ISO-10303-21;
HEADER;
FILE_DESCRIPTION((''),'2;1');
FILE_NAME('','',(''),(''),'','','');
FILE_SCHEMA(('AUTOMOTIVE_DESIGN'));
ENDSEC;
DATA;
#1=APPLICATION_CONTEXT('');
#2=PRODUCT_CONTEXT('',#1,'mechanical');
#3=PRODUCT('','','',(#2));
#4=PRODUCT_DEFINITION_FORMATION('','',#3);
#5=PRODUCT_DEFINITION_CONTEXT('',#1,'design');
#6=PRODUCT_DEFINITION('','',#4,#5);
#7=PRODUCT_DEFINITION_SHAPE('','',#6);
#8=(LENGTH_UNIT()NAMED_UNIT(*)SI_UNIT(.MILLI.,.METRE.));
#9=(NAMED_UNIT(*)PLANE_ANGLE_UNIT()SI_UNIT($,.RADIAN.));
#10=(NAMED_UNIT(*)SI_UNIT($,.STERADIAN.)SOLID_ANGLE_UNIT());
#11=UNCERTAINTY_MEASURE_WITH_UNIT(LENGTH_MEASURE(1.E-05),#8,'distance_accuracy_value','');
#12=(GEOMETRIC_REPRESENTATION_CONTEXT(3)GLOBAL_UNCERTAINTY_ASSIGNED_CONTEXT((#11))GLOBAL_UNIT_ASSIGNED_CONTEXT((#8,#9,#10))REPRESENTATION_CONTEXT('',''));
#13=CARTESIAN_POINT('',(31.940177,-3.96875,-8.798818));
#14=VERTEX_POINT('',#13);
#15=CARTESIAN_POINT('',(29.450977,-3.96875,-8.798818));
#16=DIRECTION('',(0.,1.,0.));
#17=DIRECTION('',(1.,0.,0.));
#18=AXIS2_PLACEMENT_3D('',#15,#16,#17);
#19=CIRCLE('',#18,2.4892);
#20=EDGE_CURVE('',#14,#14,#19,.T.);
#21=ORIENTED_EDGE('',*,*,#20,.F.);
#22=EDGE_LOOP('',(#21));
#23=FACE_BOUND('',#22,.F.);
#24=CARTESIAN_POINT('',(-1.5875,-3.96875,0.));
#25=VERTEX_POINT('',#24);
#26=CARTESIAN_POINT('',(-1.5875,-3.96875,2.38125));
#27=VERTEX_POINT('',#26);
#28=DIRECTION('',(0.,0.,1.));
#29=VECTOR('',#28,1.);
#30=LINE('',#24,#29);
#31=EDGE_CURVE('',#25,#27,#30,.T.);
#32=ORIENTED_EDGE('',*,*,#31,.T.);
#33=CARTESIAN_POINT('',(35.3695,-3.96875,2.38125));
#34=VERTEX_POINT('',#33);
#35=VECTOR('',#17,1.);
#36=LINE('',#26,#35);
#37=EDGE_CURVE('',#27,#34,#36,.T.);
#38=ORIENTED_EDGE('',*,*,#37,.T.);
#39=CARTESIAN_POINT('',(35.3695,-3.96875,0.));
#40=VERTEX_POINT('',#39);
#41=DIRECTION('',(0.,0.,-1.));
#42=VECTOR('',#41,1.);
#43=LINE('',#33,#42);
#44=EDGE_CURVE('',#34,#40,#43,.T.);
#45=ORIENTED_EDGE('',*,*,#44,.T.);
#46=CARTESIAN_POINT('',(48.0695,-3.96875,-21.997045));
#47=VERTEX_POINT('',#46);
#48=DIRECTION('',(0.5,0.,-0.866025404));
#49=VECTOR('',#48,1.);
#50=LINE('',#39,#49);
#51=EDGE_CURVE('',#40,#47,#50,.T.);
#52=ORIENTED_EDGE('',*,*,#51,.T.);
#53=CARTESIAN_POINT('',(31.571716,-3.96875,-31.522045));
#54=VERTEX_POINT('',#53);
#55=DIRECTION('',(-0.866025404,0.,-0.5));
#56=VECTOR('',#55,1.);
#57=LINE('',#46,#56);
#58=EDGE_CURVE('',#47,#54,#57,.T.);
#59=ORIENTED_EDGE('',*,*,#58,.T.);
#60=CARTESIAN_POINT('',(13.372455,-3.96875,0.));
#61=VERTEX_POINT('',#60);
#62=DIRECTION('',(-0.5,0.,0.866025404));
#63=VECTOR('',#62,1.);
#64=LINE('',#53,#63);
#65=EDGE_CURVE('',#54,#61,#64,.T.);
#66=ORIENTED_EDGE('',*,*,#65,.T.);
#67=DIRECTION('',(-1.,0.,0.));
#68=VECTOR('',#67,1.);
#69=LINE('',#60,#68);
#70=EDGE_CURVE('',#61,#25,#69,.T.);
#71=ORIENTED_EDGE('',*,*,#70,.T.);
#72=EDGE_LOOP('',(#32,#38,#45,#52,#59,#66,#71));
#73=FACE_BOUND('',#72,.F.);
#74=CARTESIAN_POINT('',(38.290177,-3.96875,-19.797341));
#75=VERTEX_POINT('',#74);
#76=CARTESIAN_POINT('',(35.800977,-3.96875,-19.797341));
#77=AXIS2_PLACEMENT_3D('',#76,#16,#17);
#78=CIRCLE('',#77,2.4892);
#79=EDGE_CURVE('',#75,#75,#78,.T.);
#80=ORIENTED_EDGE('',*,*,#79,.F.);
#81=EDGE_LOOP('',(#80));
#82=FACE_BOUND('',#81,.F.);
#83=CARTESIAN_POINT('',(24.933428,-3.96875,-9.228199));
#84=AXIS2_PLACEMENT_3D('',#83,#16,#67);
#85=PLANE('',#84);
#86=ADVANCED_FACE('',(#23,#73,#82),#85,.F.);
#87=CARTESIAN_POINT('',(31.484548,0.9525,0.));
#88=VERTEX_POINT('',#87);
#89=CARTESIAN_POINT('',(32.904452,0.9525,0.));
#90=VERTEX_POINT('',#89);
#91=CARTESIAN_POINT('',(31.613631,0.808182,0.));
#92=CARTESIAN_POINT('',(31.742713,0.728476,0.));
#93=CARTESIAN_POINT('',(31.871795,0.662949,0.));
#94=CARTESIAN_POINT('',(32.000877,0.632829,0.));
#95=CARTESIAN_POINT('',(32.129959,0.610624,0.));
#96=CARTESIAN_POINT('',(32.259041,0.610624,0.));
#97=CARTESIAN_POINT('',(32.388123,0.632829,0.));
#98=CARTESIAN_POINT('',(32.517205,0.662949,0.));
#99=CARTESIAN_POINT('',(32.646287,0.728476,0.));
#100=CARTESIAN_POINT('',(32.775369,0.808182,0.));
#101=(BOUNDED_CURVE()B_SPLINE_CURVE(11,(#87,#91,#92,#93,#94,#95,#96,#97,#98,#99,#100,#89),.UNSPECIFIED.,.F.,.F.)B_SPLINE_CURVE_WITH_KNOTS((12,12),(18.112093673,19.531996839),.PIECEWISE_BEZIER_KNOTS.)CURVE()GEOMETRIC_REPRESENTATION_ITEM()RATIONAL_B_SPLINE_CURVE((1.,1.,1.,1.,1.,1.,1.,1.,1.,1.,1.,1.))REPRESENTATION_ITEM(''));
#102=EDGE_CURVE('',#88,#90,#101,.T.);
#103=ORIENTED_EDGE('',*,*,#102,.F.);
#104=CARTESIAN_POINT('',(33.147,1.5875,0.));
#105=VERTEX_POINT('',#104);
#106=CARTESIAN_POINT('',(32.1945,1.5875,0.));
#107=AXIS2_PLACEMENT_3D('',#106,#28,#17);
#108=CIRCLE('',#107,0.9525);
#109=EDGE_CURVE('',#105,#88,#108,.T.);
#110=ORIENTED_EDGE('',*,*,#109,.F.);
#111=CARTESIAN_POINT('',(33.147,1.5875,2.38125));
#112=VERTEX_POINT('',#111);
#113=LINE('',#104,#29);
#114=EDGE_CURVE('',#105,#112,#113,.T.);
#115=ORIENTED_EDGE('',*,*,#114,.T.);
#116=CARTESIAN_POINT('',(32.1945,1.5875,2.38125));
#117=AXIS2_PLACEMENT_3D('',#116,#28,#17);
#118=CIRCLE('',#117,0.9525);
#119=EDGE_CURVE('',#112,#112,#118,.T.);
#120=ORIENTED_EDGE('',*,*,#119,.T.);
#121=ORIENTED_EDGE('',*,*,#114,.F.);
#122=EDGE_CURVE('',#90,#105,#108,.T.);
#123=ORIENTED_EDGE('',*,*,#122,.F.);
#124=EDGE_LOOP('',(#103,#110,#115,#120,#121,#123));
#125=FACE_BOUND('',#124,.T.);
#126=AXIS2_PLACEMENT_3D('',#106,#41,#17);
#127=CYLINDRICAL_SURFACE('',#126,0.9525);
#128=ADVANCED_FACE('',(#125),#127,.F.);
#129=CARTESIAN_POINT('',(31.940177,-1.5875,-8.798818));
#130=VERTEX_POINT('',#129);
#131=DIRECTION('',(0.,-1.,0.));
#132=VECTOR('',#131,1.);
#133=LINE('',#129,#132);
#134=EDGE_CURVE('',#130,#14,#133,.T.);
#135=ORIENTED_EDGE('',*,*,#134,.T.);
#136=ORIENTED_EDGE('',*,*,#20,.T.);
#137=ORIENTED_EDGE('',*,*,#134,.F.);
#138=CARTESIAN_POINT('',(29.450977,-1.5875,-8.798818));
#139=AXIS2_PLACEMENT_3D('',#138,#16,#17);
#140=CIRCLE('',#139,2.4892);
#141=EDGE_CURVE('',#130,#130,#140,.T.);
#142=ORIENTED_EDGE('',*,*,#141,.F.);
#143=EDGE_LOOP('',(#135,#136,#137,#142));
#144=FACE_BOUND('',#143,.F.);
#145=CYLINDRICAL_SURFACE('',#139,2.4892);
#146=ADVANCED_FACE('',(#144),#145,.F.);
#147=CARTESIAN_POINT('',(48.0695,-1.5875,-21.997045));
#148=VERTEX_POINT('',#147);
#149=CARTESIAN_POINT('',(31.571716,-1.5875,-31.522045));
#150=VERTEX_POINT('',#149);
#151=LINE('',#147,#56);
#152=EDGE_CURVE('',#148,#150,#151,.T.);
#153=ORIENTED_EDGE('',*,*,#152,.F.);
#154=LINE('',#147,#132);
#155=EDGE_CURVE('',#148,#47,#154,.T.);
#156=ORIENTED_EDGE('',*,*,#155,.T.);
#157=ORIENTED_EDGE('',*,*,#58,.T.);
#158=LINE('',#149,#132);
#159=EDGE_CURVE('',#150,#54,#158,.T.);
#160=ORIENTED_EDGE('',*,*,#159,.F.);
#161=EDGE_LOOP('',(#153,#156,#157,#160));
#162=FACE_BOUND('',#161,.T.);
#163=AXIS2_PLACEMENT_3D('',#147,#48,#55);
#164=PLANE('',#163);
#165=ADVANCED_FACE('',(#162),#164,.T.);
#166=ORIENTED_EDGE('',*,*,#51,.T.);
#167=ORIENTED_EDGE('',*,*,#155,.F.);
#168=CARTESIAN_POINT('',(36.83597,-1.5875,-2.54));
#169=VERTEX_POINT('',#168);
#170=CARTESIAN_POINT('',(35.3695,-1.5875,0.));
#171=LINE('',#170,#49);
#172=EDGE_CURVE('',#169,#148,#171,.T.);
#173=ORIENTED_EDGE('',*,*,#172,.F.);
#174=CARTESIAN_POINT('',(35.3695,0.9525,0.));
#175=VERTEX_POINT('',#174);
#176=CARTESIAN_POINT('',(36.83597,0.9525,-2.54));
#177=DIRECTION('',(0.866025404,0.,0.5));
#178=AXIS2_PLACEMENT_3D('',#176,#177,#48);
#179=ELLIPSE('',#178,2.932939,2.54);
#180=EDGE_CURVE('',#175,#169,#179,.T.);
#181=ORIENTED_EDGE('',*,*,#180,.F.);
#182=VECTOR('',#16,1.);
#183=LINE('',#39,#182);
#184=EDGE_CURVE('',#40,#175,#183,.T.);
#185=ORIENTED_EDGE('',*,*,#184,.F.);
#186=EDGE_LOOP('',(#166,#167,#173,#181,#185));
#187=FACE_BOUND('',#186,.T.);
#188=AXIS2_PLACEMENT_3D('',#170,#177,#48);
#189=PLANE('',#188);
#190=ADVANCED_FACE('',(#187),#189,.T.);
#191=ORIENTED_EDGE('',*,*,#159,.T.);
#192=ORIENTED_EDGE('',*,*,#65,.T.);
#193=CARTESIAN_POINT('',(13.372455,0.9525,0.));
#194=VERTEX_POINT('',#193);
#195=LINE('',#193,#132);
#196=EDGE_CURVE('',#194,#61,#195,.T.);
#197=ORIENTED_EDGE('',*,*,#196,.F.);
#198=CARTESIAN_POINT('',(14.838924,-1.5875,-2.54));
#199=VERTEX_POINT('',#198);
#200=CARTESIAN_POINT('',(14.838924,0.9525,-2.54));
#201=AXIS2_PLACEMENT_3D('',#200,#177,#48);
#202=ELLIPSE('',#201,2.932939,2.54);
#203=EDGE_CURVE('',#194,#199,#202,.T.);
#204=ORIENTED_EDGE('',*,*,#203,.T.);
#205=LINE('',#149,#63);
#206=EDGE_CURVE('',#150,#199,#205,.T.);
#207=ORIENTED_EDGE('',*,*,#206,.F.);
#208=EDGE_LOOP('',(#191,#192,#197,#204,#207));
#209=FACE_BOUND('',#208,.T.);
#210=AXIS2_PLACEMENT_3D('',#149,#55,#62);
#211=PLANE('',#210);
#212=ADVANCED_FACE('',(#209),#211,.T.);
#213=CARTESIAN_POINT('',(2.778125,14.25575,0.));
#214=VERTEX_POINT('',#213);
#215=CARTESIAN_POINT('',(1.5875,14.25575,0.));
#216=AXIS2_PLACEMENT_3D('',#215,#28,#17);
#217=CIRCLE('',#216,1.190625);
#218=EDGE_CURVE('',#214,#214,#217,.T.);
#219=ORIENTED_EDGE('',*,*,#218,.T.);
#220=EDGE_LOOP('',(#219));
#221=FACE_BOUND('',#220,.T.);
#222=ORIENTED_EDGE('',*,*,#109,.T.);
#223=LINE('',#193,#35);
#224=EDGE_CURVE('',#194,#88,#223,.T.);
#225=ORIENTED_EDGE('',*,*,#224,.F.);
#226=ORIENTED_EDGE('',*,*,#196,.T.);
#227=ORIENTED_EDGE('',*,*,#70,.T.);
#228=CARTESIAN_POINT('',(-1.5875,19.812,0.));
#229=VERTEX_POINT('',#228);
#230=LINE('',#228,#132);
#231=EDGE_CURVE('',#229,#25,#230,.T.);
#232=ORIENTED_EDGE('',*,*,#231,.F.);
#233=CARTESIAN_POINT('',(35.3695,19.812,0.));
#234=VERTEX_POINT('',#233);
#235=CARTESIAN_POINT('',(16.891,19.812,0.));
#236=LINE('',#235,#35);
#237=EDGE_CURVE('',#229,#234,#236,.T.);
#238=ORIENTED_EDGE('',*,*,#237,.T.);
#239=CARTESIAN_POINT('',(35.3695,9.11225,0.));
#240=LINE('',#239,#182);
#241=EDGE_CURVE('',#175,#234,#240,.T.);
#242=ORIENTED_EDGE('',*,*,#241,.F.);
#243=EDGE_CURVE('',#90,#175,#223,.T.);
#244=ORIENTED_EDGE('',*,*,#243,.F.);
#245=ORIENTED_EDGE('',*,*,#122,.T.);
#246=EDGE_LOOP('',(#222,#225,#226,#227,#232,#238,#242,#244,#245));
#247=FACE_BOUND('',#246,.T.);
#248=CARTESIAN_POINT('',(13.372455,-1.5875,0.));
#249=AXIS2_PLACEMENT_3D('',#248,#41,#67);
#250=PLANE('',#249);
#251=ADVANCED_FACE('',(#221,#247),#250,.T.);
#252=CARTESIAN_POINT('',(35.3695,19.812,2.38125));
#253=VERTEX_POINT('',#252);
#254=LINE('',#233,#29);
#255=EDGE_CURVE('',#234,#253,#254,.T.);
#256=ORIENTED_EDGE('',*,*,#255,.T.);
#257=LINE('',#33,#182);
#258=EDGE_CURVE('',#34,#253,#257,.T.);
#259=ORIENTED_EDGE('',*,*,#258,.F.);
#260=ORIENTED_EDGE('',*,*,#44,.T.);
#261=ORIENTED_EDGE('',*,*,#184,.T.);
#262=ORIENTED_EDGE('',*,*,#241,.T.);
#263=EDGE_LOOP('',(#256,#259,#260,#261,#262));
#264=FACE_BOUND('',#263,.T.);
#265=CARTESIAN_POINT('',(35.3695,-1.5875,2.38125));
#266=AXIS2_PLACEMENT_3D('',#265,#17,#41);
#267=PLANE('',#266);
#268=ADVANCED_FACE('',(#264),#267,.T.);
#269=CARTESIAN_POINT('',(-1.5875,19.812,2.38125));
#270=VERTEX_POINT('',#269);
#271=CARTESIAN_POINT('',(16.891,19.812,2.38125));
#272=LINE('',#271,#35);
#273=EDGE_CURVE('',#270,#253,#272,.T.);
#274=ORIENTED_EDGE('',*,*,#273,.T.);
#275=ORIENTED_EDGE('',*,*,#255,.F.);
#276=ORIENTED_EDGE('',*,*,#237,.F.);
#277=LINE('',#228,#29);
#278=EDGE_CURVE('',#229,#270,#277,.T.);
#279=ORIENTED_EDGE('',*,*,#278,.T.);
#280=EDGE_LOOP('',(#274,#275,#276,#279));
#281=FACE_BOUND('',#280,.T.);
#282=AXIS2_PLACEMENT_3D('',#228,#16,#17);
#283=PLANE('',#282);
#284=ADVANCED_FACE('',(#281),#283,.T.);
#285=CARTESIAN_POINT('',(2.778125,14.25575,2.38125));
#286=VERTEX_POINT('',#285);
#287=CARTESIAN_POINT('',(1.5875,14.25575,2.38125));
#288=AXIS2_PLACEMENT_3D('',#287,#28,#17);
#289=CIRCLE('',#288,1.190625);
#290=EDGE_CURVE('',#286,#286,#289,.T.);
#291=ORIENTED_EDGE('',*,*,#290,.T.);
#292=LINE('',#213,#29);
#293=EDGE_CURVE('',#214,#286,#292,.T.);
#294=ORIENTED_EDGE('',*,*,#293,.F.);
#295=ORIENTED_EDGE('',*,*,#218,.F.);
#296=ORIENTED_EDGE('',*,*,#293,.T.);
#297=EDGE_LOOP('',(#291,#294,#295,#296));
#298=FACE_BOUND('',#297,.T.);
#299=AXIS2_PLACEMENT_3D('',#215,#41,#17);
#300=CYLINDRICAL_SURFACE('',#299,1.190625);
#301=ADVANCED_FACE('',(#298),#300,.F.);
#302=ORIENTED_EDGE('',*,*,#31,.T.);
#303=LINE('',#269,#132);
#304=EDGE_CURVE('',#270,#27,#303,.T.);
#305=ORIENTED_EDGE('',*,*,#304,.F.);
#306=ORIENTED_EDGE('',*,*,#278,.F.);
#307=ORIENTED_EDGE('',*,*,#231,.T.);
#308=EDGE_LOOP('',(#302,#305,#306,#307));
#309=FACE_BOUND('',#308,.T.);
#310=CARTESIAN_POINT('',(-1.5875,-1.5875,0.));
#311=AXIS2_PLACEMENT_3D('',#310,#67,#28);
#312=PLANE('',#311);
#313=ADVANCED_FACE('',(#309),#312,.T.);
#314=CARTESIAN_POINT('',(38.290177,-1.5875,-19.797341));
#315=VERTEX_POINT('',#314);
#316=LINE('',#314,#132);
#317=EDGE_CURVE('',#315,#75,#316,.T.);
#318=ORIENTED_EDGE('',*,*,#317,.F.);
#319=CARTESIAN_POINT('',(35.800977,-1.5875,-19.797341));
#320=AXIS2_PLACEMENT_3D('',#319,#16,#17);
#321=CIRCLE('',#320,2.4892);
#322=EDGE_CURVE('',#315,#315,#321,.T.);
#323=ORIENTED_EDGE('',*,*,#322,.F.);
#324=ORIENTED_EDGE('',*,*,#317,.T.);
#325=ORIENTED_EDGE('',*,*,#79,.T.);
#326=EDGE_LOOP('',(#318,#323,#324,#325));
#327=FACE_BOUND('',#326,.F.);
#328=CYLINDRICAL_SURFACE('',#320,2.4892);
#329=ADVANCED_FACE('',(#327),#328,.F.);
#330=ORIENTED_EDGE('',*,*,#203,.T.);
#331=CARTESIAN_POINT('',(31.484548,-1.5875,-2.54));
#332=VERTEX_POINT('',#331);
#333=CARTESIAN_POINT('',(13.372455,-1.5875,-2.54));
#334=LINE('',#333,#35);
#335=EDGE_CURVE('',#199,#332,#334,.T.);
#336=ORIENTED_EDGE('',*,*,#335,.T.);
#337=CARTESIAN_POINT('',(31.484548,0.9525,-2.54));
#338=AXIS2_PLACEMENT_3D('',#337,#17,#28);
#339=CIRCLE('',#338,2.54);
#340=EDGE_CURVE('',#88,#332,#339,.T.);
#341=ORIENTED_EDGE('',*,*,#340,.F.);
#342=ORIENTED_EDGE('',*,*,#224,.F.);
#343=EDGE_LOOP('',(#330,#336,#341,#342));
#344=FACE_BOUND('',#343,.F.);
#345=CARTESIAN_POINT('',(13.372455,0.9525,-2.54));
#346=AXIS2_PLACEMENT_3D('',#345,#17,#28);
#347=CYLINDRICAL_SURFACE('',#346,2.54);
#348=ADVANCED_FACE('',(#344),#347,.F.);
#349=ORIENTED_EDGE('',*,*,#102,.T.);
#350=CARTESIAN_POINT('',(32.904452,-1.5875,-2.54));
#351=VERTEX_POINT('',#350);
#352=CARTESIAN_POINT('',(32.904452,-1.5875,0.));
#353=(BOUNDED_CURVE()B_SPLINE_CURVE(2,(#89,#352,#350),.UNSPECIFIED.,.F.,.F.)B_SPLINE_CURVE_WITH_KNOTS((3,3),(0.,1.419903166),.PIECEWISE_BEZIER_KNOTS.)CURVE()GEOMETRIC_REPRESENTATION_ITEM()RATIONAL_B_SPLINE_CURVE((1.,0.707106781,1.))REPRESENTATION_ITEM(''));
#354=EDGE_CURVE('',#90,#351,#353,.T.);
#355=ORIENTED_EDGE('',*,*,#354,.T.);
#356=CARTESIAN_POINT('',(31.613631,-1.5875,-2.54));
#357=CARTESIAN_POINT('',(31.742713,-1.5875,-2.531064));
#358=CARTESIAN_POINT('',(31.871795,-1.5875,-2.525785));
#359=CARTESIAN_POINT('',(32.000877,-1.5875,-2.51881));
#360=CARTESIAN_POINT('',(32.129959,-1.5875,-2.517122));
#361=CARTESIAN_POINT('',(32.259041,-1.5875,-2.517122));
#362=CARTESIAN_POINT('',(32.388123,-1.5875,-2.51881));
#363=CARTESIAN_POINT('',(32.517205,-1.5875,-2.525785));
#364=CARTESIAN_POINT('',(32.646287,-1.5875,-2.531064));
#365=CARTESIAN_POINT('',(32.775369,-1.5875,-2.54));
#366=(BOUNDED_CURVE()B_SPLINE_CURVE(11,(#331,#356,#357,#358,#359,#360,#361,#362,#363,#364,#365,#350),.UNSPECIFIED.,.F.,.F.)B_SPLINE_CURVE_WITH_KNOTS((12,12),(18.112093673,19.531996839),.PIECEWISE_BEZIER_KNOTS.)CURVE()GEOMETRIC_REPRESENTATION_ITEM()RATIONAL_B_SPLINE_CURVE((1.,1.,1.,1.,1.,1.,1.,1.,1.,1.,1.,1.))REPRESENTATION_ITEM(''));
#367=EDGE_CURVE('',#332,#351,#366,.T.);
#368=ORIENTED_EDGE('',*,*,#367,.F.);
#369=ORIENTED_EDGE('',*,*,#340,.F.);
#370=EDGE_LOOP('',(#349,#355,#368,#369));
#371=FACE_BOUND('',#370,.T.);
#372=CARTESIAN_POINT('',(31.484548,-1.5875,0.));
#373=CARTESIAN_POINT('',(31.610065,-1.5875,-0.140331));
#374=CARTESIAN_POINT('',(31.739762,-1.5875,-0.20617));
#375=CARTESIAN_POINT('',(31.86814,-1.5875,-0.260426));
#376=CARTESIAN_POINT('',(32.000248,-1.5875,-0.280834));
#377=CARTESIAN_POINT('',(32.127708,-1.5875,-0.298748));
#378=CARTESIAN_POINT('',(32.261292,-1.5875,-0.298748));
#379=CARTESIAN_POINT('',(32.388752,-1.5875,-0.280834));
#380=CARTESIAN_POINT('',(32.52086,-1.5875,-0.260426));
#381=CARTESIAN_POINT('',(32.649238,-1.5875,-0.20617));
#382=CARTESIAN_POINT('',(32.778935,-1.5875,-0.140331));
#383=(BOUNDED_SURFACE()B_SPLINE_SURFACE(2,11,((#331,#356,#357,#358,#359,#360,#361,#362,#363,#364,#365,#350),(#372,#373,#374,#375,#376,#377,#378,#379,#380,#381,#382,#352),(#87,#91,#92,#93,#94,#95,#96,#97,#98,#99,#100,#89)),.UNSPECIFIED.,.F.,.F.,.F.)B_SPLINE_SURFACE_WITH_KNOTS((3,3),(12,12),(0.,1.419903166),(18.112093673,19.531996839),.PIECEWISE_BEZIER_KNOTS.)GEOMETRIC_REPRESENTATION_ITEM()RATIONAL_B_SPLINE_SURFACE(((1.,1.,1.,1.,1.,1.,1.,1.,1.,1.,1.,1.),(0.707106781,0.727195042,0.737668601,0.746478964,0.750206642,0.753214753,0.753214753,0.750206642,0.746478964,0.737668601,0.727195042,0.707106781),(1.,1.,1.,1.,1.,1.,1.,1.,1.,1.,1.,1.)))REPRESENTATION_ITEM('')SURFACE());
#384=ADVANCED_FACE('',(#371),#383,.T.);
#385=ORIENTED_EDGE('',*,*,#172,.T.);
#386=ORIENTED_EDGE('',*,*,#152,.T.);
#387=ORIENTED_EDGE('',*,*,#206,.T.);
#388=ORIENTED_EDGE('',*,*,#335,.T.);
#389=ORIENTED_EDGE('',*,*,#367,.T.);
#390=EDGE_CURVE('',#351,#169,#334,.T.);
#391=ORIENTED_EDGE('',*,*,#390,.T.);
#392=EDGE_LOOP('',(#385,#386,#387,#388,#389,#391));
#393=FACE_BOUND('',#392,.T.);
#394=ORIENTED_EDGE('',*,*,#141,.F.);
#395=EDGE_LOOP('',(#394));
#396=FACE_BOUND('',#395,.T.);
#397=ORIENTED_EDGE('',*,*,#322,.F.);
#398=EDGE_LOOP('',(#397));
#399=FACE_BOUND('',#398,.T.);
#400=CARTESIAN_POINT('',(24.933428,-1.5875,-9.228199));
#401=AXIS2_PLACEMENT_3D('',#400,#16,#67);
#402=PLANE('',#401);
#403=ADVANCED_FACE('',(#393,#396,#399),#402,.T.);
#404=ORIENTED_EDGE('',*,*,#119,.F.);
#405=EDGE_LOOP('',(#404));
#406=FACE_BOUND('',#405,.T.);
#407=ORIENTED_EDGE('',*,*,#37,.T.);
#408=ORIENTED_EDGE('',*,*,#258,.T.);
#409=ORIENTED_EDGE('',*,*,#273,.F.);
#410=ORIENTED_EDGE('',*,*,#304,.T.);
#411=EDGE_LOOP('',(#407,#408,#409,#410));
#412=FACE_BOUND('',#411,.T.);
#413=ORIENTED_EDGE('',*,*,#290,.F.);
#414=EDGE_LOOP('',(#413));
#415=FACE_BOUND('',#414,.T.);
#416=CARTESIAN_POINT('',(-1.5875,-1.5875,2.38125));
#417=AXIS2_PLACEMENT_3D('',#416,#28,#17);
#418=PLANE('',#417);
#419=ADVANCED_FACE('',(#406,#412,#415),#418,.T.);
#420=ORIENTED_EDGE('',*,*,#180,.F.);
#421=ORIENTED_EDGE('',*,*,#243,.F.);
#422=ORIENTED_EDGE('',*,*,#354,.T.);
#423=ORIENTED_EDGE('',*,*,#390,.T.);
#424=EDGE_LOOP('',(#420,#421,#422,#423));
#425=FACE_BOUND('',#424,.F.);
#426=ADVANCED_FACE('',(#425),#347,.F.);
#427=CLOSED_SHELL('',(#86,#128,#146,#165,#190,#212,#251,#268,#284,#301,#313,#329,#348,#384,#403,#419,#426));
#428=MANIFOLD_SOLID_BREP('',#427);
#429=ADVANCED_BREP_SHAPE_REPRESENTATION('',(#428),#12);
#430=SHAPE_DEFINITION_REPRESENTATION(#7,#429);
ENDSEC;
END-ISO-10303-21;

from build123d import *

# Parameters (mm, degrees)
SKETCH1_W           = 36.957
SKETCH1_H           = 21.3995
SKETCH1_R           = 1.190625
SKETCH1_R_2         = 0.9525
BOSS_EXTRUDE1_DEPTH = 2.38125
BOSS_EXTRUDE3_DEPTH = 2.38125
CUT_EXTRUDE2_REACH  = 4.381
SKETCH4_R           = 2.4892
FILLET1_R           = 2.54


with BuildPart() as part:
    # Sketch1 → Boss-Extrude1 (new body)
    with BuildSketch(Plane.XY):
        with Locations((16.891, 9.11225)):
            Rectangle(SKETCH1_W, SKETCH1_H)
        with Locations((1.5875, 14.25575)):
            Circle(SKETCH1_R, mode=Mode.SUBTRACT)
        with Locations((32.1945, 1.5875)):
            Circle(SKETCH1_R_2, mode=Mode.SUBTRACT)
    extrude(amount=BOSS_EXTRUDE1_DEPTH)

    # Sketch2 → Boss-Extrude3 (add)
    with BuildSketch(Plane.XZ.offset(1.5875)):
        Polygon((-1.5875, 2.38125), (35.3695, 2.38125), (35.3695, 0), (48.0695, -21.997045256), (31.571716058, -31.522045256), (13.372454744, 0), (-1.5875, 0), align=None)
    extrude(amount=BOSS_EXTRUDE3_DEPTH)

    # Sketch4 → Cut-Extrude2 (cut, up to next)
    with BuildSketch(Plane(origin=(0, -1.5875, 0), x_dir=(1, 0, 0), z_dir=(0, 1, 0)), mode=Mode.PRIVATE) as cut_extrude2_sk1:
        with Locations((35.800977372, 19.797340731)):
            Circle(SKETCH4_R)
    cut_extrude2_tool1 = extrude(cut_extrude2_sk1.sketch, amount=-CUT_EXTRUDE2_REACH, mode=Mode.PRIVATE) & part.part
    add(cut_extrude2_tool1.solids().sort_by_distance((35.800977, -1.5875, -19.797341))[0], mode=Mode.SUBTRACT)
    # Sketch4 → Cut-Extrude2 (cut, up to next)
    with BuildSketch(Plane(origin=(0, -1.5875, 0), x_dir=(1, 0, 0), z_dir=(0, 1, 0)), mode=Mode.PRIVATE) as cut_extrude2_sk2:
        with Locations((29.450977372, 8.798818102)):
            Circle(SKETCH4_R)
    cut_extrude2_tool2 = extrude(cut_extrude2_sk2.sketch, amount=-CUT_EXTRUDE2_REACH, mode=Mode.PRIVATE) & part.part
    add(cut_extrude2_tool2.solids().sort_by_distance((29.450977, -1.5875, -8.798818))[0], mode=Mode.SUBTRACT)

    # Fillet1
    fillet1_edges = [part.edges().sort_by_distance(p)[0] for p in [
        (24.370977372, -1.5875, 0),
    ]]
    fillet(fillet1_edges, radius=FILLET1_R)


solid = part.part
